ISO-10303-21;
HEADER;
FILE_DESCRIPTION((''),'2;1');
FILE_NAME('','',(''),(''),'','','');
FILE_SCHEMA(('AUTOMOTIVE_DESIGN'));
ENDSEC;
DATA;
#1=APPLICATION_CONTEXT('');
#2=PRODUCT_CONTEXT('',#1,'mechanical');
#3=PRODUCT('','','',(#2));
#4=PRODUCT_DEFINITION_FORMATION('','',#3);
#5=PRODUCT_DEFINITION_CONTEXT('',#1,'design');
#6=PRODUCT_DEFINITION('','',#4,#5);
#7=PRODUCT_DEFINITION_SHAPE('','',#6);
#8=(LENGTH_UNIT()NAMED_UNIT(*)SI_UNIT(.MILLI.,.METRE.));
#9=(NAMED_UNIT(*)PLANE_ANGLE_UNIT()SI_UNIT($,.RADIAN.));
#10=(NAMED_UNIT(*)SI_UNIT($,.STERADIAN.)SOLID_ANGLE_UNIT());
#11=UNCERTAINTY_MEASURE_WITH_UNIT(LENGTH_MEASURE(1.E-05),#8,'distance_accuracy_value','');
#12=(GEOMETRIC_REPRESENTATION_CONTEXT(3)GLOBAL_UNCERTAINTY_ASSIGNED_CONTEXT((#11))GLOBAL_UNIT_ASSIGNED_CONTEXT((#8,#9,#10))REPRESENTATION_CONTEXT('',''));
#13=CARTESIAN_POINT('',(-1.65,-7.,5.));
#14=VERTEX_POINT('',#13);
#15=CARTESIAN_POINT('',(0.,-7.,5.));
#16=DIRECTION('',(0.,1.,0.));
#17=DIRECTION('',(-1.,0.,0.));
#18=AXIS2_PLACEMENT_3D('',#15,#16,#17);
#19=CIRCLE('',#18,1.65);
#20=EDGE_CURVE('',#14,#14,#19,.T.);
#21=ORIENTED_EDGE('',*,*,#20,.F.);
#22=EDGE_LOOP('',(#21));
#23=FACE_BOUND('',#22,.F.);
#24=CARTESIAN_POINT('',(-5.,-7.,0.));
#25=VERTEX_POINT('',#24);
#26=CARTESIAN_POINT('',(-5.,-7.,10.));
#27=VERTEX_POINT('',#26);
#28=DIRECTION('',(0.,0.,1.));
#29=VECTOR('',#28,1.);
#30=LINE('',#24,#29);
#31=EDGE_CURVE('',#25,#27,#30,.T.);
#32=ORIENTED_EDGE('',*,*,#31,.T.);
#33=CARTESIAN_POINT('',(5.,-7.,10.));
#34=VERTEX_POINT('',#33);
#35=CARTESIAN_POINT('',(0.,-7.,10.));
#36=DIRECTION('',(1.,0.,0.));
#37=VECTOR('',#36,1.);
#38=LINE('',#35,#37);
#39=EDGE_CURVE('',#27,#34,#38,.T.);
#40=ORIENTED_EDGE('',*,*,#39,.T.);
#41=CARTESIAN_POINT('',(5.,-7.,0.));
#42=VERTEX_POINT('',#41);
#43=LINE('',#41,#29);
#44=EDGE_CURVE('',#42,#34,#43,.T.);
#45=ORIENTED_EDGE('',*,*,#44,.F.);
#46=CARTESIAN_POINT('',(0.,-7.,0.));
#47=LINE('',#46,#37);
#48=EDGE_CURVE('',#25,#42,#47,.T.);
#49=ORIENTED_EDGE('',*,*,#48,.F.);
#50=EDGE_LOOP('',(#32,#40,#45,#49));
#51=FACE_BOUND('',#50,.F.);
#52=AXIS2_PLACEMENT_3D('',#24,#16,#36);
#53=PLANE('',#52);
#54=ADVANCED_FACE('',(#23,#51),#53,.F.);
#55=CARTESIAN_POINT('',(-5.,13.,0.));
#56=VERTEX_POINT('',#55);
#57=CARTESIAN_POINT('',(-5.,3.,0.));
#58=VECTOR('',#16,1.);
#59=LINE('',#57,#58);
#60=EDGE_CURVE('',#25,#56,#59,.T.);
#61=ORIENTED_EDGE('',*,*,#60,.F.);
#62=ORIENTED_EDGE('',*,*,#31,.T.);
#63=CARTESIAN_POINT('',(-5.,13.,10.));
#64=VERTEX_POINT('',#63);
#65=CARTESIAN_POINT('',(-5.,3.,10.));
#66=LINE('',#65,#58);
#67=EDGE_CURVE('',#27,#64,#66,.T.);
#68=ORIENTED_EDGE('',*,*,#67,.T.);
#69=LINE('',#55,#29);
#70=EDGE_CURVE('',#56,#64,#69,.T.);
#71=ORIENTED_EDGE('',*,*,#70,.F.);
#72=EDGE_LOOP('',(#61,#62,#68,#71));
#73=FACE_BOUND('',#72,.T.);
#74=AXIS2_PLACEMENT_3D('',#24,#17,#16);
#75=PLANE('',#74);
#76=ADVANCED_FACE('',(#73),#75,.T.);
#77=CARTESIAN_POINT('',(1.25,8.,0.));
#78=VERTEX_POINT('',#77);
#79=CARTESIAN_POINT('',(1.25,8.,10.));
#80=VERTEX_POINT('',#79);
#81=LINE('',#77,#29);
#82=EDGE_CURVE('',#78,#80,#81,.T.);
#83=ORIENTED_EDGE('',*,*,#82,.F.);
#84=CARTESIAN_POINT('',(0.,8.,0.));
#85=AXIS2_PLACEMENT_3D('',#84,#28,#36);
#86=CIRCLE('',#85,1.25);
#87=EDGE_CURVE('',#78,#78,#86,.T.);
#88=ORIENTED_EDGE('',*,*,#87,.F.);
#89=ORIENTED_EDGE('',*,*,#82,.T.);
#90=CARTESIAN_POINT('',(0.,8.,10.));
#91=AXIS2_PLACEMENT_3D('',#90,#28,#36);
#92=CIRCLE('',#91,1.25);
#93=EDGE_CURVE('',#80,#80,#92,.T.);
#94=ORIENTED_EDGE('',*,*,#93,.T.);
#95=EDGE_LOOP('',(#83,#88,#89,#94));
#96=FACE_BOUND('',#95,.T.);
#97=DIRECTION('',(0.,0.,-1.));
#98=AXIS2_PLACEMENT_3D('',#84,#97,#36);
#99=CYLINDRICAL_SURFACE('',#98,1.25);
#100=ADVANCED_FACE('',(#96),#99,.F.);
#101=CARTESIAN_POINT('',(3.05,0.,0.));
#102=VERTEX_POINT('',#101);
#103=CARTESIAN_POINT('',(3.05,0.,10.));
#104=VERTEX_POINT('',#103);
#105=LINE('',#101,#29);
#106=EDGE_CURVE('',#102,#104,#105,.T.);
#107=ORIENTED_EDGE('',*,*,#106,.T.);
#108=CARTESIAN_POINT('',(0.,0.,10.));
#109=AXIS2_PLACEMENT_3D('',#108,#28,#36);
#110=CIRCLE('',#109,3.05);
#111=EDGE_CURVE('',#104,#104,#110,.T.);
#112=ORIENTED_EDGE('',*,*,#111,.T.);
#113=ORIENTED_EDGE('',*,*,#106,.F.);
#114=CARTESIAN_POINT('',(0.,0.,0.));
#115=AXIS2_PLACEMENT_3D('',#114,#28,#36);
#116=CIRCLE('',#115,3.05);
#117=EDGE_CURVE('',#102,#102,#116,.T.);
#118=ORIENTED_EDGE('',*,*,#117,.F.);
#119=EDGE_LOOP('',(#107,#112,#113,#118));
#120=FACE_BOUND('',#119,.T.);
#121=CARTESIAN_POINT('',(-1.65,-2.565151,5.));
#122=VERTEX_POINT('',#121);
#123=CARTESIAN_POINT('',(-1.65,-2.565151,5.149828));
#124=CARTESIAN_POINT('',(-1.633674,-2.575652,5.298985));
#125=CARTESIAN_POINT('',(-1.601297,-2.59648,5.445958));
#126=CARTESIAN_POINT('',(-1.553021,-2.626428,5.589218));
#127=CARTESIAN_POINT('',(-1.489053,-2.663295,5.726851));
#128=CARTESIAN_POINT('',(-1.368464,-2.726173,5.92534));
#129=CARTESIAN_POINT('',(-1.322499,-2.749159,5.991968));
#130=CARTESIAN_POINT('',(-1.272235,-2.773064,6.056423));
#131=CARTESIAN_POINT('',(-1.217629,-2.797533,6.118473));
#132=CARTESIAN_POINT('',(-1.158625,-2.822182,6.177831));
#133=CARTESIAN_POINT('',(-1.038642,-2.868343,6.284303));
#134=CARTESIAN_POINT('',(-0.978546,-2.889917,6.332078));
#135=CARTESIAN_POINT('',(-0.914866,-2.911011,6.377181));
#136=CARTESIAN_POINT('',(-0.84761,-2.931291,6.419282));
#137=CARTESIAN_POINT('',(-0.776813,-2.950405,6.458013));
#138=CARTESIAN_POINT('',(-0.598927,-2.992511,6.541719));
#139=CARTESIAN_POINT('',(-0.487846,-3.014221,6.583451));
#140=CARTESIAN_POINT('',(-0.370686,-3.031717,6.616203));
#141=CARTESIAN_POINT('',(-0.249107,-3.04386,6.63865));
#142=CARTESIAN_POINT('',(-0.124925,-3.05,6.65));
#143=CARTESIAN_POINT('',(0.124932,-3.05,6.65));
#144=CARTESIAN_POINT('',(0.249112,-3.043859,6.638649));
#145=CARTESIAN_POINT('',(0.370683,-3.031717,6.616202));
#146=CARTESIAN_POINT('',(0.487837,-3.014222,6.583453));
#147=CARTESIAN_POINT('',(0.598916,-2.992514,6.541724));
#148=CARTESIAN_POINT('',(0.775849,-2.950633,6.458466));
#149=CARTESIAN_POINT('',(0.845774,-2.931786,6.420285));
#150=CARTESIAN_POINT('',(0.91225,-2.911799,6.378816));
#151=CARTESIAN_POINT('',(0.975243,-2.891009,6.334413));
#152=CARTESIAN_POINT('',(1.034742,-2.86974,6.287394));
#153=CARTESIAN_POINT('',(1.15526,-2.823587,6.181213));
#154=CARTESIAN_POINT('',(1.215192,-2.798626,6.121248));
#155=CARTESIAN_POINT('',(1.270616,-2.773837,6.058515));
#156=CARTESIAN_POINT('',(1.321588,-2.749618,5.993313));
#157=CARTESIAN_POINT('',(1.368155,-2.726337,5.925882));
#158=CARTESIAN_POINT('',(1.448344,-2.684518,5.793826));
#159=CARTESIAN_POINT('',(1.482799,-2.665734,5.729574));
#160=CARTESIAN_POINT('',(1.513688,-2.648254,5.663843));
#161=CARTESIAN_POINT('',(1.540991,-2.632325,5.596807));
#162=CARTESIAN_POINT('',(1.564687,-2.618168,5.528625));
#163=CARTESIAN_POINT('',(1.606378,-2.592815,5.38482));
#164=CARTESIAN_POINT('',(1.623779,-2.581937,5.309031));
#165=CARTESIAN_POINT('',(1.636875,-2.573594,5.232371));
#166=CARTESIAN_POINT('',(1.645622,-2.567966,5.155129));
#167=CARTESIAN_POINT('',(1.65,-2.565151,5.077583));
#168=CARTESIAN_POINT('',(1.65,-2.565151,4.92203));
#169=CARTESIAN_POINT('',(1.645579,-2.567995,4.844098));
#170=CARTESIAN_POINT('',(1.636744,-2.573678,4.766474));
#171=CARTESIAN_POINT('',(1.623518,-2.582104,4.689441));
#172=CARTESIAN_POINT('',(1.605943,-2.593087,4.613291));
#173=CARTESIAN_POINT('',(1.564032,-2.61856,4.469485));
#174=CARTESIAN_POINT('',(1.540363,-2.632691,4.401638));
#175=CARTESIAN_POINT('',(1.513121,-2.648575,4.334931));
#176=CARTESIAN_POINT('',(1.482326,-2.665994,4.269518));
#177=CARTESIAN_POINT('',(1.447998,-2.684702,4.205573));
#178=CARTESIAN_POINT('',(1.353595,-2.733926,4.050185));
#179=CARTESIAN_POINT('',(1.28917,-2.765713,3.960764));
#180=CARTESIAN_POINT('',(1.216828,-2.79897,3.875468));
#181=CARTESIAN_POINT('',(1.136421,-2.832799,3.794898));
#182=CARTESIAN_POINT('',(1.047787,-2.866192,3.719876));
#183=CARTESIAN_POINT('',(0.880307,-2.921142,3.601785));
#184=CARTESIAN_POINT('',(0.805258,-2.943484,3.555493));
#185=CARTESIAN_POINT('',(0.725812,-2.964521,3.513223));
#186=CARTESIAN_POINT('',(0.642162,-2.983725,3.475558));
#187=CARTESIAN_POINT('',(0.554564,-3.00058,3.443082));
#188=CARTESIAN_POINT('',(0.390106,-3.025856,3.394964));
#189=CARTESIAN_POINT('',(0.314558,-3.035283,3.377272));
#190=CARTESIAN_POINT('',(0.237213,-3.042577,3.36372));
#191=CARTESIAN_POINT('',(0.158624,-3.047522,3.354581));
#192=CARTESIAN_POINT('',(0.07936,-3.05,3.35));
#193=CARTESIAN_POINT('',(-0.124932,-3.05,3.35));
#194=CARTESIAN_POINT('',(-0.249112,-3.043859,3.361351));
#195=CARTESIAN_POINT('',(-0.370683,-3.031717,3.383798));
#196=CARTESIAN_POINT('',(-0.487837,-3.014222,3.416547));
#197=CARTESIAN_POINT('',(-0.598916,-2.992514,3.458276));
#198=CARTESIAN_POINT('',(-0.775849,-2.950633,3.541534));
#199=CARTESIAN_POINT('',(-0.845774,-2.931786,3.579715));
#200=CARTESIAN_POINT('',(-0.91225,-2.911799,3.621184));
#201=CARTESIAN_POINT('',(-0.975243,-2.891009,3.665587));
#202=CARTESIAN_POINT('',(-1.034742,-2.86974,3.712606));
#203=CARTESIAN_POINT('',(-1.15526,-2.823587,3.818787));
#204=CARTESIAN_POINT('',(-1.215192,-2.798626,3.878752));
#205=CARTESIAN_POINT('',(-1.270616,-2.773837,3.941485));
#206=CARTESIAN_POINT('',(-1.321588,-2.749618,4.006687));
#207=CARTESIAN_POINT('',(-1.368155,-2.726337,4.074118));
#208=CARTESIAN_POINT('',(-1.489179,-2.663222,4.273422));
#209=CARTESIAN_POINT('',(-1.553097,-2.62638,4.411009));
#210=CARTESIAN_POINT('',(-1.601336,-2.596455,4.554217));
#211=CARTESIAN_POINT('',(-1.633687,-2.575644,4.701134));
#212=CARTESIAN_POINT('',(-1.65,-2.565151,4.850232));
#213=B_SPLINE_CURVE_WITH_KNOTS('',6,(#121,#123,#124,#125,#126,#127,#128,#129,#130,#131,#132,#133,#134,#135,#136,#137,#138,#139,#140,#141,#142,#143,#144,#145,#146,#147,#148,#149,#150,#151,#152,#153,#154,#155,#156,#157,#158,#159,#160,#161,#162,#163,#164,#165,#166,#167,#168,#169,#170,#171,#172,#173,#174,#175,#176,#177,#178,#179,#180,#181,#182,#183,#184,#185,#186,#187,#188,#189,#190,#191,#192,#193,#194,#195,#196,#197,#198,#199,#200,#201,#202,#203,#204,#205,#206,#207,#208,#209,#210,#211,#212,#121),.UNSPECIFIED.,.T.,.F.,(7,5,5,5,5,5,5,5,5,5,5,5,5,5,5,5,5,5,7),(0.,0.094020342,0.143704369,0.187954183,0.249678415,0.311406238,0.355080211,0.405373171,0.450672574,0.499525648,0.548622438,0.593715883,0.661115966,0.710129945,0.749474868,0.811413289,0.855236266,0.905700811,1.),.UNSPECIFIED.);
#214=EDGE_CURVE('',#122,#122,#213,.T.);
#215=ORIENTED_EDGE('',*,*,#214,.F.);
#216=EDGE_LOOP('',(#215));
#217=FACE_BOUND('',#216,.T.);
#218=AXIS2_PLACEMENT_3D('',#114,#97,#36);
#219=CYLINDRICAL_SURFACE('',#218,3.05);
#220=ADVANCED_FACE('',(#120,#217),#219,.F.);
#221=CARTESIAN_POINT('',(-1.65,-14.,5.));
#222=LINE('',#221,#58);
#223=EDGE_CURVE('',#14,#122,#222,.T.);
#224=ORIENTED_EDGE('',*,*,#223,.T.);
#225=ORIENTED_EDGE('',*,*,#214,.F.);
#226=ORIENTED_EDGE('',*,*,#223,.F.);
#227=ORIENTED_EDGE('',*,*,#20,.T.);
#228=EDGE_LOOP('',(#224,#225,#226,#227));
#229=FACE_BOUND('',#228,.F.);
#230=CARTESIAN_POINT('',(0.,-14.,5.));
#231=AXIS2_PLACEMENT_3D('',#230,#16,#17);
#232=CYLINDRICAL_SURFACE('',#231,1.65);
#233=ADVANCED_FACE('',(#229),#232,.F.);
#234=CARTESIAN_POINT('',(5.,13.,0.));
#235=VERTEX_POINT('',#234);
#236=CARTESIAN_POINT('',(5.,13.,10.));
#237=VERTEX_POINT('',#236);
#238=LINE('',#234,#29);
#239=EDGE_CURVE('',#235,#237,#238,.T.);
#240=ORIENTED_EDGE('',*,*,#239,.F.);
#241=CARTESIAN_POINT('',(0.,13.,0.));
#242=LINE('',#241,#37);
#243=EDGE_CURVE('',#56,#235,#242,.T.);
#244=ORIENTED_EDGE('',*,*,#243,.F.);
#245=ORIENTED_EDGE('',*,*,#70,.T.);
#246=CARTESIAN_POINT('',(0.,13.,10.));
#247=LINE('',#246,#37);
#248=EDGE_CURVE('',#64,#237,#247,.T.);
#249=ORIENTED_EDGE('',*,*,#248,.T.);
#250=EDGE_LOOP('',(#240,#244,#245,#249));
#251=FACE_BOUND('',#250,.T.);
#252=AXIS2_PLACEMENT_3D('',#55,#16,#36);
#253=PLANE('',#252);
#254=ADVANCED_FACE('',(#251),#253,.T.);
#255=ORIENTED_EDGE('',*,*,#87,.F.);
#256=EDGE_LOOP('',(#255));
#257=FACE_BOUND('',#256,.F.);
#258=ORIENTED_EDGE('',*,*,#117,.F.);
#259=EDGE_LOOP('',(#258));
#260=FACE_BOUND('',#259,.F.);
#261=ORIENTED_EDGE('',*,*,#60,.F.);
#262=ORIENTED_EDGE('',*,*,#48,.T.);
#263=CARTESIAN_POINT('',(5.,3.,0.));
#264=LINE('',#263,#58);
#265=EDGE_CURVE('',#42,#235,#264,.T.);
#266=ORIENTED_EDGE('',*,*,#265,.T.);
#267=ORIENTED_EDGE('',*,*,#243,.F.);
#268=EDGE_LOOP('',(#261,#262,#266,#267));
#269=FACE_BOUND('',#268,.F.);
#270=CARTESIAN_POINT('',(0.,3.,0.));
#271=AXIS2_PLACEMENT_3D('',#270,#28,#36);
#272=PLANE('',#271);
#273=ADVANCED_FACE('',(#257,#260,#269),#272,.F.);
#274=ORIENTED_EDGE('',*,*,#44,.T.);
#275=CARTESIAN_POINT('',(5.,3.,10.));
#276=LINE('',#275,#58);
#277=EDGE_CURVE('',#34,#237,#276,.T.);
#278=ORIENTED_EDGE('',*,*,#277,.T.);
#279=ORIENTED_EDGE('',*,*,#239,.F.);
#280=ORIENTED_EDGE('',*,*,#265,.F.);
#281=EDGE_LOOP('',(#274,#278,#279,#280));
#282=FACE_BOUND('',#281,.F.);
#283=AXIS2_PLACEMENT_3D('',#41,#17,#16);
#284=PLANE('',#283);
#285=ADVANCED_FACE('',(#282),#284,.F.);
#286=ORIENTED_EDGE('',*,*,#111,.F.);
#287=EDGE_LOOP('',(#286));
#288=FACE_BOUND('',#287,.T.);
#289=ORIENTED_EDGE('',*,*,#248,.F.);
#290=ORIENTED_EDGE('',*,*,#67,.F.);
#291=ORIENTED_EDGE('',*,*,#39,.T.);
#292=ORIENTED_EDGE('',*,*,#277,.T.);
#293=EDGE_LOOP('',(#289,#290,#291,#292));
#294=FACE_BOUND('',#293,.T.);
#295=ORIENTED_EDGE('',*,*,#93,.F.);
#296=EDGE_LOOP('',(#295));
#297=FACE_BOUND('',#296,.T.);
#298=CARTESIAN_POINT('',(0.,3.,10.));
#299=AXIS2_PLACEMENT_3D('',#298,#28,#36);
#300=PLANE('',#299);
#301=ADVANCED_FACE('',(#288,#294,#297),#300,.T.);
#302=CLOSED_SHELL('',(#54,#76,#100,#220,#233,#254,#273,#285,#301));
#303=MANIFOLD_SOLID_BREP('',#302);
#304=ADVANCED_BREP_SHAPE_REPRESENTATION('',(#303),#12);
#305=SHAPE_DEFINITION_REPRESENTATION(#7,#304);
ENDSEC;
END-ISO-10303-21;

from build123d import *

# Parameters (mm, degrees)
F0_W     = 10
F0_H     = 20
F0_R     = 3.05
F0_R_2   = 1.25
F1_DEPTH = 10
F3_D     = 3.3
F3_DEPTH = 7


with BuildPart() as f1:
    # F0 (on Top) → F1 (new body)
    with BuildSketch(Plane.XY):
        with Locations((0, 3)):
            Rectangle(F0_W, F0_H)
        Circle(F0_R, mode=Mode.SUBTRACT)
        with Locations((0, 8)):
            Circle(F0_R_2, mode=Mode.SUBTRACT)
    extrude(amount=F1_DEPTH)

    # F3
    with Locations(Plane.XZ.offset(7)):
        with Locations((0, 5)):
            Hole(F3_D / 2, depth=F3_DEPTH)


solid = f1.part
